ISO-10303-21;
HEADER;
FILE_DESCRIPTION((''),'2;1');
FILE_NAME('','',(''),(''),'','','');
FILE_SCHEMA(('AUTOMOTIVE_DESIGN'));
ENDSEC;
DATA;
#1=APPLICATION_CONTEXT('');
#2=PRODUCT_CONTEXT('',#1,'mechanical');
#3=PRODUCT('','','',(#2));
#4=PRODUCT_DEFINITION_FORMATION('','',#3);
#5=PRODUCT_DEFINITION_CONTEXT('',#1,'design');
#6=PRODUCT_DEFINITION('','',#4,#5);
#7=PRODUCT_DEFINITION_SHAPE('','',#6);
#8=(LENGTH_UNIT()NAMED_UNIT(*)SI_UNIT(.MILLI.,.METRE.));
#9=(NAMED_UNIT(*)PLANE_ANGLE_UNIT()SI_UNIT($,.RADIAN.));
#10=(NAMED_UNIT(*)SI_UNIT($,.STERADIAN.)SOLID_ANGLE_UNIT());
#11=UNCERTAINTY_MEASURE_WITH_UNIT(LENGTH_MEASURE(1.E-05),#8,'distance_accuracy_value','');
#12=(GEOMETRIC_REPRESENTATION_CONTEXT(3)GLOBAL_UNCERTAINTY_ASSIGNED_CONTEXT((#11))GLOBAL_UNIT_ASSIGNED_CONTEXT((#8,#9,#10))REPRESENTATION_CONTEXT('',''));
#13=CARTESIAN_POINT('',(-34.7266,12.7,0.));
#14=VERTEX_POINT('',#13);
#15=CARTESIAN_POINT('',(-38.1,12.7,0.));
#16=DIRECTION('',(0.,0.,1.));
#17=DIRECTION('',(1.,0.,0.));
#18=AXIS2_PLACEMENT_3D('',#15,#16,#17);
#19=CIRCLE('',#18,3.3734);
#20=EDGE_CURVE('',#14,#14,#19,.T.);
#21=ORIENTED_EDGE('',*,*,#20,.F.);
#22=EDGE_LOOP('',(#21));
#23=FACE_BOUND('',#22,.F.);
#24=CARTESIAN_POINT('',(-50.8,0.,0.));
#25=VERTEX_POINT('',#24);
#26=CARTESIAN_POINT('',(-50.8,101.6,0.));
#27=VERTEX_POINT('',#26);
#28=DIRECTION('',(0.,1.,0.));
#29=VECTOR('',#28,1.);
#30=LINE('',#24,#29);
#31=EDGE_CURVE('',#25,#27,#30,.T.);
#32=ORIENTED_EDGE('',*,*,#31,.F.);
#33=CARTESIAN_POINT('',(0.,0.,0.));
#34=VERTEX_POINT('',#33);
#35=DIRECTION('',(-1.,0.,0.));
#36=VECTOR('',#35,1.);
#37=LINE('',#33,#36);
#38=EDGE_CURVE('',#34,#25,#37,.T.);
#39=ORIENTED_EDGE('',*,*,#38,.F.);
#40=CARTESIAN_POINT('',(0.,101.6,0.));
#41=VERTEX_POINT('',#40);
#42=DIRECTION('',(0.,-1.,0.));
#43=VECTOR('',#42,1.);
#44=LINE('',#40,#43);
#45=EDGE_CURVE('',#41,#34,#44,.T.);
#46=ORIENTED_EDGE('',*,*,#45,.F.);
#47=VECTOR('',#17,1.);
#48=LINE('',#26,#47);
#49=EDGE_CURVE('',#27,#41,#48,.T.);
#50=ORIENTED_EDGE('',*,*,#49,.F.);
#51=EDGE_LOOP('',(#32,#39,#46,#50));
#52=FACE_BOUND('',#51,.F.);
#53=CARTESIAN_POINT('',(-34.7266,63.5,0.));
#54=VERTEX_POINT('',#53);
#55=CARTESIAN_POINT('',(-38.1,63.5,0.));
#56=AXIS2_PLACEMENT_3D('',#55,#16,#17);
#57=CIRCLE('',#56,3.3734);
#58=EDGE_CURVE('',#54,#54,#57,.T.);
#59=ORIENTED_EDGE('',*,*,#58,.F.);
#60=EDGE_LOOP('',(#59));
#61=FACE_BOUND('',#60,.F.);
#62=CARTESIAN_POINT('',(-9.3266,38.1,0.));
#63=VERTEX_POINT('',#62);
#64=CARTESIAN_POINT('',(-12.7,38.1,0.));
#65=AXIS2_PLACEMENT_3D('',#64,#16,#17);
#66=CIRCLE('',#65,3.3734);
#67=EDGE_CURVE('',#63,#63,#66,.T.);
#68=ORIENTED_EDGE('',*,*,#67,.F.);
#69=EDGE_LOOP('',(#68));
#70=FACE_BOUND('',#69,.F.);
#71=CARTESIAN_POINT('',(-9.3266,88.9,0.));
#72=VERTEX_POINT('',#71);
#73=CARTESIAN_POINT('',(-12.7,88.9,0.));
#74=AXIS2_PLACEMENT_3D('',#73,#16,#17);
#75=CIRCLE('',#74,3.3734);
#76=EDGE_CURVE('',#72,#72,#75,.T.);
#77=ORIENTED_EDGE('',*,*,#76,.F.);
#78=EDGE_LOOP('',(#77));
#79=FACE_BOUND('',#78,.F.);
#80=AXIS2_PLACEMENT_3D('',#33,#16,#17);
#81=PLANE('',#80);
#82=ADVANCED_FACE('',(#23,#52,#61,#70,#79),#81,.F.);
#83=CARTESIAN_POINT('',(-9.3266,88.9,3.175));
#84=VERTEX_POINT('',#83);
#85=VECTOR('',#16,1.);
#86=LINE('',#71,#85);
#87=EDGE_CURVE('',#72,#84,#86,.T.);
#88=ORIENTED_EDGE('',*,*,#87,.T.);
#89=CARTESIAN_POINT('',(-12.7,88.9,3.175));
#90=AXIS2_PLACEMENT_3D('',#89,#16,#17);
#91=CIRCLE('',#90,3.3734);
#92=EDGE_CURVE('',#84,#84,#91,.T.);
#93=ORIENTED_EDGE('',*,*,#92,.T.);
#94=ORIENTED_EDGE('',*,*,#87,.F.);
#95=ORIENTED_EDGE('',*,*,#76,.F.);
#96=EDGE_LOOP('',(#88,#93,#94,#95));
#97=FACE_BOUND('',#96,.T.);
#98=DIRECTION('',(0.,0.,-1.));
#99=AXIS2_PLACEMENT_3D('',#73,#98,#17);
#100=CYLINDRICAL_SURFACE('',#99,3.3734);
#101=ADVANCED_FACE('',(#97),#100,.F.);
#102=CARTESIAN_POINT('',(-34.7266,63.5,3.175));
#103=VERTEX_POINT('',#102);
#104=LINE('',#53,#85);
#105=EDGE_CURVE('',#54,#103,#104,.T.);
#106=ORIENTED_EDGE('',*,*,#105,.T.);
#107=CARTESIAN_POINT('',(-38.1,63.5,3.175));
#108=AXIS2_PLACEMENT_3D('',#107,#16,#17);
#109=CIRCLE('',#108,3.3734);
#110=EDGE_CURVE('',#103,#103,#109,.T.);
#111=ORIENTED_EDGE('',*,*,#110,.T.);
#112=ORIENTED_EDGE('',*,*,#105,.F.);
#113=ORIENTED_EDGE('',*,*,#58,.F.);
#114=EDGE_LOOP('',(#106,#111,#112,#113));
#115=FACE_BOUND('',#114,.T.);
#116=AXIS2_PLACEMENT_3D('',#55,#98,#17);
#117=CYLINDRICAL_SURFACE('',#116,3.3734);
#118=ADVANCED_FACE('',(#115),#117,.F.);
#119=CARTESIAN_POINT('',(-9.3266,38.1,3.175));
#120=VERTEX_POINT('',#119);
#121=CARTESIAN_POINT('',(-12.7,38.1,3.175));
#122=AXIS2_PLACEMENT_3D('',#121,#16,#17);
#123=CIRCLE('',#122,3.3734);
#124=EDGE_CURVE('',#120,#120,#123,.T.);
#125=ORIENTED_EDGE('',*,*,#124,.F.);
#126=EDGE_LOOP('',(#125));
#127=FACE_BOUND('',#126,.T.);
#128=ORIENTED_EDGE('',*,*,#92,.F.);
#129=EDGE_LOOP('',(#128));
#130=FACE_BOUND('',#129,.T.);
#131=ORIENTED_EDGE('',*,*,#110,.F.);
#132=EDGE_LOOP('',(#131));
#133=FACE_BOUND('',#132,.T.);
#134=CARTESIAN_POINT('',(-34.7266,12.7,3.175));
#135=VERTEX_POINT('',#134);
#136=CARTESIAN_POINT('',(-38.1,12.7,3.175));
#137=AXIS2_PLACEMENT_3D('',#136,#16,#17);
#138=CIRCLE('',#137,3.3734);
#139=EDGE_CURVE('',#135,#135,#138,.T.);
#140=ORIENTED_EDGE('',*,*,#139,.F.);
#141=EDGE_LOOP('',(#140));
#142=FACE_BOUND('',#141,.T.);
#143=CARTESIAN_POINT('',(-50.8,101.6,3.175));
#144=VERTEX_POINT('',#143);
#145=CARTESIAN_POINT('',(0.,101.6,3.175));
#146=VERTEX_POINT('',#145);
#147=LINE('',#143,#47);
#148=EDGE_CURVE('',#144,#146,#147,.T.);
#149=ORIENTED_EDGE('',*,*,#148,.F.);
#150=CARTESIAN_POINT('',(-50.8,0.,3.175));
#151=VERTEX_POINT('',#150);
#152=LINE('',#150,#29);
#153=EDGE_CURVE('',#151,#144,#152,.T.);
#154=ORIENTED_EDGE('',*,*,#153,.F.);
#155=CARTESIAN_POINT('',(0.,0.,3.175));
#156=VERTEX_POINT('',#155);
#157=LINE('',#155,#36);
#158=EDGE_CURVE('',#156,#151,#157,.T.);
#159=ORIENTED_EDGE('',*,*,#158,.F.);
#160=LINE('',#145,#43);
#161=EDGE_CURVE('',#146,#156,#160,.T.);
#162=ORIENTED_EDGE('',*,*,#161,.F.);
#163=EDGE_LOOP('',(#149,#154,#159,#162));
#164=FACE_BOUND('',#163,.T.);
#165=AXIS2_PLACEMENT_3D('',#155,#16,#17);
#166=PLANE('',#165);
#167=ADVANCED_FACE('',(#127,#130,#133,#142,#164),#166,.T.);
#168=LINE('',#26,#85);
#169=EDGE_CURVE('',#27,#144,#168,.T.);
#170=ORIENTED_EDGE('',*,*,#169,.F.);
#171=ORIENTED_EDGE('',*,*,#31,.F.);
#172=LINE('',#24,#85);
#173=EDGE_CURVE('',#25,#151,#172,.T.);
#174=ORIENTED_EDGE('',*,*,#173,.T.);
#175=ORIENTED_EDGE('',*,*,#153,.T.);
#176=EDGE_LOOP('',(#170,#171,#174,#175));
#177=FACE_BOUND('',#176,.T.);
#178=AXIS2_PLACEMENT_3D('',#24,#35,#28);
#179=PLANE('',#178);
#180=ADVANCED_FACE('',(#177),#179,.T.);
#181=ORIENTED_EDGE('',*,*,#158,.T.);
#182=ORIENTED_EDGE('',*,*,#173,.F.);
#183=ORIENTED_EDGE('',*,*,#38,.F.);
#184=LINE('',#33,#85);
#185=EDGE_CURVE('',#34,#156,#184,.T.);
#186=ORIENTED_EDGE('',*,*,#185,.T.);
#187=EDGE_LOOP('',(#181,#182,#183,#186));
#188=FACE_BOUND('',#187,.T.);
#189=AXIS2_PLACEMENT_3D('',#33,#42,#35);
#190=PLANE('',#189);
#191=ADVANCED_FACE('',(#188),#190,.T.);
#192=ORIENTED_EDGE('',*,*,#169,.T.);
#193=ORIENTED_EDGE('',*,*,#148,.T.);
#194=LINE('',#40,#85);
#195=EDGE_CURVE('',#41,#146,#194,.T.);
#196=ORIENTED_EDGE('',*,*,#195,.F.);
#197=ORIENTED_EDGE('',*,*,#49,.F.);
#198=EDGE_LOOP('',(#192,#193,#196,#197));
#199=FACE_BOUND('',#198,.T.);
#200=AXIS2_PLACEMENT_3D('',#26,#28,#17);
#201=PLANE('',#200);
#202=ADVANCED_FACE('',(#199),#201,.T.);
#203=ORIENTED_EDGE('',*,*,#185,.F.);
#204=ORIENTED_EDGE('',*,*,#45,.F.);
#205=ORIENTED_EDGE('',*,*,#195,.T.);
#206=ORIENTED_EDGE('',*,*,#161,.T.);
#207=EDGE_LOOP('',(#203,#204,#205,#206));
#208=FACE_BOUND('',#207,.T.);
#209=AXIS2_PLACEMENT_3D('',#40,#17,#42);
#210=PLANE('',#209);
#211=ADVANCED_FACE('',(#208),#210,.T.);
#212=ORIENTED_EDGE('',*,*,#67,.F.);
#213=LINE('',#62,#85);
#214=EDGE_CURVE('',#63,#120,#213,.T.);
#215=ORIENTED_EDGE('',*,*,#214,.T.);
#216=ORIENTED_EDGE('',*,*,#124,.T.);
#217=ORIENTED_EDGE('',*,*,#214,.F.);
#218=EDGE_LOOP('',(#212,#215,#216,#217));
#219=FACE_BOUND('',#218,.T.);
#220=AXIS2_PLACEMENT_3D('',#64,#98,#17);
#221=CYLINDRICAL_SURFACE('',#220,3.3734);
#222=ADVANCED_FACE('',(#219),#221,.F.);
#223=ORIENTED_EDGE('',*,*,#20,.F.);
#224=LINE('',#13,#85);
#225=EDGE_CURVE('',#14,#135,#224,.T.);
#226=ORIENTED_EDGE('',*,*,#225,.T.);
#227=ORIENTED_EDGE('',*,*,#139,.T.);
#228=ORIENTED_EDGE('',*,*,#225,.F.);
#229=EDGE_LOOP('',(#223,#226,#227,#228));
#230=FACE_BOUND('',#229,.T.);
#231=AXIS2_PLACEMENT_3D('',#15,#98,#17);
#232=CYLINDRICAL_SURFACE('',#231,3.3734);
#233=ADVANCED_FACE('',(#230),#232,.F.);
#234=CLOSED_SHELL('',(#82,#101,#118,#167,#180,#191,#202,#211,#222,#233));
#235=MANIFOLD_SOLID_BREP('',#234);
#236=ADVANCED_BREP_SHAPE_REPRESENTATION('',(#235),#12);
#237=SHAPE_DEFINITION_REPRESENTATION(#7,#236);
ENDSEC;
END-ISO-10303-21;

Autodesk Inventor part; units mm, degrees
ref_plane "YZ Plane" through (0, 0, 0) normal (1, 0, 0) x (0, 1, 0)
ref_plane "XZ Plane" through (0, 0, 0) normal (0, 1, 0) x (-1, 0, 0)
ref_plane "XY Plane" through (0, 0, 0) normal (0, 0, 1) x (1, 0, 0)
sketch "Sketch1" plane through (0, 0, 0) normal (0, 0, 1) x (1, 0, 0)
  line L0 (0, 0) -> (-50.8, 0)
  line L1 (-50.8, 0) -> (-50.8, 101.6)
  line L2 (-50.8, 101.6) -> (0, 101.6)
  line L3 (0, 101.6) -> (0, 0)
  circle A0 centre (-38.1, 12.7) radius 3.3734
  circle A1 centre (-12.7, 38.1) radius 3.3734
  circle A2 centre (-38.1, 63.5) radius 3.3734
  circle A3 centre (-12.7, 88.9) radius 3.3734
  dimension "d0" = 50.8
  dimension "d1" = 101.6
  dimension "d2" = 6.7469
  dimension "d3" = 6.7469
  dimension "d4" = 6.7469
  dimension "d5" = 6.7469
  dimension "d6" = 12.7
  dimension "d7" = 38.1
  dimension "d8" = 12.7
  dimension "d9" = 12.7
  dimension "d10" = 12.7
  dimension "d11" = 38.1
  dimension "d12" = 12.7
  dimension "d13" = 12.7
extrude "Extrusion1" add sketch "Sketch1" along normal blind 3.175
properties part number "gusset for superstrcture"
